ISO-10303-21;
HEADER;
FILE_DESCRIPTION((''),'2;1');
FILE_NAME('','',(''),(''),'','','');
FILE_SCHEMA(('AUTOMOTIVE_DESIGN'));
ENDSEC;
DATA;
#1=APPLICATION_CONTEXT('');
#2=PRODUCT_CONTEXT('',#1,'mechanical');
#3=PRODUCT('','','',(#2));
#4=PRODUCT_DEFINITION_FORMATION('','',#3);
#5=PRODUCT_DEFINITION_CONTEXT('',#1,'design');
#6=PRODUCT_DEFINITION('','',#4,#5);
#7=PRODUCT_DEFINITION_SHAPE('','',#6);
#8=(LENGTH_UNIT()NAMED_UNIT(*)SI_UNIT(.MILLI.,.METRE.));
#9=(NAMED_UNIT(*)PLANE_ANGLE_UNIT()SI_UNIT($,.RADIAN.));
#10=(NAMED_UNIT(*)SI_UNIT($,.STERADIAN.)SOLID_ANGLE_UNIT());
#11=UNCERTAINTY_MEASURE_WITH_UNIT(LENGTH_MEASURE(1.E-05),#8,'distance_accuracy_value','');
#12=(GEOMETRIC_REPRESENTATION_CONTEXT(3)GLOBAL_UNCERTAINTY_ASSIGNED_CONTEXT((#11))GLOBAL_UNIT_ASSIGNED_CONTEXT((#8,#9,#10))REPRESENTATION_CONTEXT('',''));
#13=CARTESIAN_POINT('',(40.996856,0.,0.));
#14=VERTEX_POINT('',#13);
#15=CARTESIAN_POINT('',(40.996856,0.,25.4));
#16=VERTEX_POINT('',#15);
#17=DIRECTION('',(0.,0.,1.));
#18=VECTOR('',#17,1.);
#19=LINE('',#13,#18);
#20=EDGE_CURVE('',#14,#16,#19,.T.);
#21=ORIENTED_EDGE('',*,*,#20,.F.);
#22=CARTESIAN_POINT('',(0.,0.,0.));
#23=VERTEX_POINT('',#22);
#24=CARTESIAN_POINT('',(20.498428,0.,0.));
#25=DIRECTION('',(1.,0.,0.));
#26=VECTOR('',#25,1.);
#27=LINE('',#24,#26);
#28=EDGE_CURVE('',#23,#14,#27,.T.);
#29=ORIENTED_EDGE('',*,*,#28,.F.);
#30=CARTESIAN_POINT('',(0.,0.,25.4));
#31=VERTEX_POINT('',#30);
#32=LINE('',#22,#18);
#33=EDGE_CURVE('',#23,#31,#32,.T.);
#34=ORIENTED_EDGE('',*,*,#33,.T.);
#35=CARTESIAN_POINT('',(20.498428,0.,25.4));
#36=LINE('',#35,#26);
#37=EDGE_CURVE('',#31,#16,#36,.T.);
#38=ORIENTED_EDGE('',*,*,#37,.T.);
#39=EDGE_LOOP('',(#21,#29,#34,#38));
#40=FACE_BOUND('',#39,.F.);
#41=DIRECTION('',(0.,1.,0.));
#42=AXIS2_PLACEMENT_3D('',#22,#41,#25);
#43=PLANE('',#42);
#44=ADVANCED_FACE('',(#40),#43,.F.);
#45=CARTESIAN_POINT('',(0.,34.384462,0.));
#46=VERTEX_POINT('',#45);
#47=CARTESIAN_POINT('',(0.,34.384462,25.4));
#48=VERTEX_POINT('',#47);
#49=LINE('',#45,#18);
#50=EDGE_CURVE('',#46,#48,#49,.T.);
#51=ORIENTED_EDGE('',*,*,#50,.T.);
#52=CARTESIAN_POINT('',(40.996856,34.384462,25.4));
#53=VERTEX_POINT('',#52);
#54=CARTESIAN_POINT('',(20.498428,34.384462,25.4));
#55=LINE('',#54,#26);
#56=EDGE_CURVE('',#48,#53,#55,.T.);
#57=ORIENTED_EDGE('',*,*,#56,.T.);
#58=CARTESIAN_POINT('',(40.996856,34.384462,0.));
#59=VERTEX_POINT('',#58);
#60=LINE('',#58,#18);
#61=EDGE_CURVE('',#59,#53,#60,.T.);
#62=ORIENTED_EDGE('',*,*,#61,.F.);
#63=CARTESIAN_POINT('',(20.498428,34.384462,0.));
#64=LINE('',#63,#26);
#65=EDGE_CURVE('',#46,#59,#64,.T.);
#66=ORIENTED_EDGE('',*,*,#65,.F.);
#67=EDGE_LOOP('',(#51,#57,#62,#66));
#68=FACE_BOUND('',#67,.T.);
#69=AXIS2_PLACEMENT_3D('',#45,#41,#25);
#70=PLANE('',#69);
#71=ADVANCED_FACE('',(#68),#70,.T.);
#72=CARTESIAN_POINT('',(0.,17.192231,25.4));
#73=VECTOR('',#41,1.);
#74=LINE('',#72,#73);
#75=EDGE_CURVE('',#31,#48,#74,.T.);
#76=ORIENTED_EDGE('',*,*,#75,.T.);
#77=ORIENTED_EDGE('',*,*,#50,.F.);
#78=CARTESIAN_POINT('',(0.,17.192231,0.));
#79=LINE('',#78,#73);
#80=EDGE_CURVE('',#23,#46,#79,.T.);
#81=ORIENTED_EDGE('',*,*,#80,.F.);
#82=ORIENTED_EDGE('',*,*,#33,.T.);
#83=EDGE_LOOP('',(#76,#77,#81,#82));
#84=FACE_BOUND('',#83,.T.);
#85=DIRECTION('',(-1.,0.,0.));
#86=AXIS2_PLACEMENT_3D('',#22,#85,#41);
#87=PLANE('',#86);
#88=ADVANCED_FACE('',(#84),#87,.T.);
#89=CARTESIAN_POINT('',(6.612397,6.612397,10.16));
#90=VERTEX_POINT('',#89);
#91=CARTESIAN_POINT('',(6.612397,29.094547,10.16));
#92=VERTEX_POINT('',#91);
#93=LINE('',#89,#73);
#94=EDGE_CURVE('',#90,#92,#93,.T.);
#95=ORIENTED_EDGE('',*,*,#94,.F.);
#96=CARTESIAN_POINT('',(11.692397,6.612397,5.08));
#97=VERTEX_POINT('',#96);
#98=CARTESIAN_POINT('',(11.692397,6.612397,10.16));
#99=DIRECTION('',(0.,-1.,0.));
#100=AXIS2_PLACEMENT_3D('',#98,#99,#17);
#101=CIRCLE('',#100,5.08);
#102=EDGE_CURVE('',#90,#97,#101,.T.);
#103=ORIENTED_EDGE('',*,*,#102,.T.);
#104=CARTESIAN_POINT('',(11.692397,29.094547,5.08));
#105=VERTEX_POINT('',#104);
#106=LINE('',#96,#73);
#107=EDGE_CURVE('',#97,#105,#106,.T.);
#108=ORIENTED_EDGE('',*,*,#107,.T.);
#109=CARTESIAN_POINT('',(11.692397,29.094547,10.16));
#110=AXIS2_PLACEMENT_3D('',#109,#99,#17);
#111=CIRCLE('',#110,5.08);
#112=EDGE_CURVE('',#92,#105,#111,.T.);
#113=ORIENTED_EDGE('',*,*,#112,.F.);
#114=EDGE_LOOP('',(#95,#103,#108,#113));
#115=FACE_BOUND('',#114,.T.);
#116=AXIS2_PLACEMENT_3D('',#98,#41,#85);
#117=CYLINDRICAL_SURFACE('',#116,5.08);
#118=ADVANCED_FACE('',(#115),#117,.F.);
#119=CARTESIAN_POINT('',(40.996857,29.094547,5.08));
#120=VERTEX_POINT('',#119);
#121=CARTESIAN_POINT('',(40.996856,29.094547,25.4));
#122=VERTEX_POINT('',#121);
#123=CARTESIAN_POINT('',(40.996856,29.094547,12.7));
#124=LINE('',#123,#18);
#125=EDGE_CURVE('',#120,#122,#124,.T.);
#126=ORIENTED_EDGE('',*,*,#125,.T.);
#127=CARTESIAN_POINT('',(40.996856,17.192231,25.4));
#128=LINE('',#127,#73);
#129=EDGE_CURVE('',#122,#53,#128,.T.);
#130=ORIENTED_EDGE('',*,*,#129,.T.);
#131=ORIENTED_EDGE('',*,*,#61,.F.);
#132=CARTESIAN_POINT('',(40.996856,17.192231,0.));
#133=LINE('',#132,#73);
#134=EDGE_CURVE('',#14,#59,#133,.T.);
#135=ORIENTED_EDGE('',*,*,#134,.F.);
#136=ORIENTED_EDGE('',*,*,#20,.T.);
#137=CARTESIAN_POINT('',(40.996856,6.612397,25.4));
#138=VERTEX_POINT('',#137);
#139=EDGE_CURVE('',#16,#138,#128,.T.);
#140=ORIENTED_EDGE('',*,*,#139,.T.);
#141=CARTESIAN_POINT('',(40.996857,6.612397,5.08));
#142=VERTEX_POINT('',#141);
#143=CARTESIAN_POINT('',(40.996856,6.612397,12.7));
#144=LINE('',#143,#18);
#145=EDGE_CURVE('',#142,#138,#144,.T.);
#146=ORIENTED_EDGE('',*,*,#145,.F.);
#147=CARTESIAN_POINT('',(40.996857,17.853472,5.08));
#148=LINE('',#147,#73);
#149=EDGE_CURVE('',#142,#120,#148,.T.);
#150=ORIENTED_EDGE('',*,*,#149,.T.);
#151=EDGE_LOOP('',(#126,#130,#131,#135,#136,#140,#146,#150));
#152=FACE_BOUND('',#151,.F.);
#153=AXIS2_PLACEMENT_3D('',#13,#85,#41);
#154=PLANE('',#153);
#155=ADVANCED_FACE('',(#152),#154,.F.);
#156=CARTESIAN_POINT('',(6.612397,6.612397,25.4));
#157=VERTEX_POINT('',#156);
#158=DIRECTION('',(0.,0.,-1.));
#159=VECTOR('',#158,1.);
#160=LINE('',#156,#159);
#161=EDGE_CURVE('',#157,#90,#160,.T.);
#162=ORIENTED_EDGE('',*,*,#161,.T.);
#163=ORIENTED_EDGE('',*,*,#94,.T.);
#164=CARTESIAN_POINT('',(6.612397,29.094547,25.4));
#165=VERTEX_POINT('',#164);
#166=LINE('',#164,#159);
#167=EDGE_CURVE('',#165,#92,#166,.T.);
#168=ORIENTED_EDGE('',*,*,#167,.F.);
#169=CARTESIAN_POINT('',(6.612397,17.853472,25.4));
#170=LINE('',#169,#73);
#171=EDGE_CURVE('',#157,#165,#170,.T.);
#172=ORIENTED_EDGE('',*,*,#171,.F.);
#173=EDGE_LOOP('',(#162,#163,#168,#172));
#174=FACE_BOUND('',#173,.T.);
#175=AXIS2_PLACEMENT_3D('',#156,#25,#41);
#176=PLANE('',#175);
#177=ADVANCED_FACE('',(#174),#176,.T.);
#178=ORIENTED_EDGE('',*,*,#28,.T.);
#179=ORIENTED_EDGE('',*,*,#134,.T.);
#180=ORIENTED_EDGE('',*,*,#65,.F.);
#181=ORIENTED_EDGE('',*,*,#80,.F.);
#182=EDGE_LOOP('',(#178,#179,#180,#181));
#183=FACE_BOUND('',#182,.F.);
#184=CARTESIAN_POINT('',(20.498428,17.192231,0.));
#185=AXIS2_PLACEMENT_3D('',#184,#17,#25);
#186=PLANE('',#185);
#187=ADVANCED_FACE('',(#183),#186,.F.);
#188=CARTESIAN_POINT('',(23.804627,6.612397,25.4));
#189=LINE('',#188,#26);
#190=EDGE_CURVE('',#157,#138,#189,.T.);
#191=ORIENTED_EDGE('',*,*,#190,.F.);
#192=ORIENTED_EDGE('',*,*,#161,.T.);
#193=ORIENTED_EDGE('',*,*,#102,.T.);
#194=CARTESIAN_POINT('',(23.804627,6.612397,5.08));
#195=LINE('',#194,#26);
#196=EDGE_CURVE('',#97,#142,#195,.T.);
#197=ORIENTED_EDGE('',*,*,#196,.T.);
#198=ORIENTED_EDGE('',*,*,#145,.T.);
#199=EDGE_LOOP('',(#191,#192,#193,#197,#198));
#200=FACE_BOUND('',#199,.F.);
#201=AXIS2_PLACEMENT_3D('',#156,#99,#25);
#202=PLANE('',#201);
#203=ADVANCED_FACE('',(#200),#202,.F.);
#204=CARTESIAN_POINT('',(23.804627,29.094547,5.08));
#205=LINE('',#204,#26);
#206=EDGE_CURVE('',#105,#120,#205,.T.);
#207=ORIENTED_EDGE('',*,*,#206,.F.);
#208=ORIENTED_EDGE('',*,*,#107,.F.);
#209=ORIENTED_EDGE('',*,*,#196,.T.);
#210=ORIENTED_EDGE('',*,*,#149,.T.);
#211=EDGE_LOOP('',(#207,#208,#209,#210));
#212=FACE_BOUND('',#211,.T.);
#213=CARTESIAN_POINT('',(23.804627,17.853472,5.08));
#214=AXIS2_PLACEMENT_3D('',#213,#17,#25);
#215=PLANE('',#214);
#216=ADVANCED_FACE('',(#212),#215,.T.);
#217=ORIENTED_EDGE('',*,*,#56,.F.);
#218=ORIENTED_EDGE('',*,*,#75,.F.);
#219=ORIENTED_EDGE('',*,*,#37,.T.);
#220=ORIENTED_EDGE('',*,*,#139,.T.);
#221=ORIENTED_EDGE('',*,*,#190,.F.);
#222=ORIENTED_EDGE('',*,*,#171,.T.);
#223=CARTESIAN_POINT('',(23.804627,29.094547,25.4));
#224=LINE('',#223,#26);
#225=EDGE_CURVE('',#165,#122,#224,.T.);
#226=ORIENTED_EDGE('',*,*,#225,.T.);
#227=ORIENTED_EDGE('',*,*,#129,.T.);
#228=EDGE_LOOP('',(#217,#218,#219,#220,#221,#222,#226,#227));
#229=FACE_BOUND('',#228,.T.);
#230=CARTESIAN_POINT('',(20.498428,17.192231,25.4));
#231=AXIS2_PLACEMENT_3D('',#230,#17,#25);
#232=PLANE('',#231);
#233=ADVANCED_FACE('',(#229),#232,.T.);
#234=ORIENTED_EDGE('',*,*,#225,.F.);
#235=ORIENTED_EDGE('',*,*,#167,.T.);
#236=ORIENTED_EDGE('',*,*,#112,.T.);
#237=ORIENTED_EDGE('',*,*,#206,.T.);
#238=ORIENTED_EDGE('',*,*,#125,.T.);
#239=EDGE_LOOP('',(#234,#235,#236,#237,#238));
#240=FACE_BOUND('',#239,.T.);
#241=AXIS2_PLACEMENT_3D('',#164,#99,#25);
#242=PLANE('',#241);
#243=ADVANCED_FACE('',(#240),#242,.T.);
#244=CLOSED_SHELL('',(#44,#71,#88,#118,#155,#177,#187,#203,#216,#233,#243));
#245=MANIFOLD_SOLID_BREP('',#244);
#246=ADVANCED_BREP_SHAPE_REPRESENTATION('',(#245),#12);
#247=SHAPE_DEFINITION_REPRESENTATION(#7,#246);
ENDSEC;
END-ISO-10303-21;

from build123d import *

# Parameters (mm, degrees)
F0_W     = 40.996857
F0_H     = 34.384463
F1_DEPTH = 25.4
F2_W     = 34.38446
F2_H     = 22.48215
F3_DEPTH = 20.32
F4_R     = 5.08


with BuildPart() as f1:
    # F0 (on Top) → F1 (new body)
    with BuildSketch(Plane.XY):
        with Locations((20.498428, 17.192231)):
            Rectangle(F0_W, F0_H)
    extrude(amount=F1_DEPTH)

    # F2 (on face) → F3 (cut)
    with BuildSketch(Plane.XY.offset(25.4)):
        with Locations((23.804627, 17.853472)):
            Rectangle(F2_W, F2_H)
    extrude(amount=-F3_DEPTH, mode=Mode.SUBTRACT)

    # F4
    f4_edges = [f1.edges().sort_by_distance(p)[0] for p in [
        (6.612397, 17.853472, 5.08),
    ]]
    fillet(f4_edges, radius=F4_R)


solid = f1.part
